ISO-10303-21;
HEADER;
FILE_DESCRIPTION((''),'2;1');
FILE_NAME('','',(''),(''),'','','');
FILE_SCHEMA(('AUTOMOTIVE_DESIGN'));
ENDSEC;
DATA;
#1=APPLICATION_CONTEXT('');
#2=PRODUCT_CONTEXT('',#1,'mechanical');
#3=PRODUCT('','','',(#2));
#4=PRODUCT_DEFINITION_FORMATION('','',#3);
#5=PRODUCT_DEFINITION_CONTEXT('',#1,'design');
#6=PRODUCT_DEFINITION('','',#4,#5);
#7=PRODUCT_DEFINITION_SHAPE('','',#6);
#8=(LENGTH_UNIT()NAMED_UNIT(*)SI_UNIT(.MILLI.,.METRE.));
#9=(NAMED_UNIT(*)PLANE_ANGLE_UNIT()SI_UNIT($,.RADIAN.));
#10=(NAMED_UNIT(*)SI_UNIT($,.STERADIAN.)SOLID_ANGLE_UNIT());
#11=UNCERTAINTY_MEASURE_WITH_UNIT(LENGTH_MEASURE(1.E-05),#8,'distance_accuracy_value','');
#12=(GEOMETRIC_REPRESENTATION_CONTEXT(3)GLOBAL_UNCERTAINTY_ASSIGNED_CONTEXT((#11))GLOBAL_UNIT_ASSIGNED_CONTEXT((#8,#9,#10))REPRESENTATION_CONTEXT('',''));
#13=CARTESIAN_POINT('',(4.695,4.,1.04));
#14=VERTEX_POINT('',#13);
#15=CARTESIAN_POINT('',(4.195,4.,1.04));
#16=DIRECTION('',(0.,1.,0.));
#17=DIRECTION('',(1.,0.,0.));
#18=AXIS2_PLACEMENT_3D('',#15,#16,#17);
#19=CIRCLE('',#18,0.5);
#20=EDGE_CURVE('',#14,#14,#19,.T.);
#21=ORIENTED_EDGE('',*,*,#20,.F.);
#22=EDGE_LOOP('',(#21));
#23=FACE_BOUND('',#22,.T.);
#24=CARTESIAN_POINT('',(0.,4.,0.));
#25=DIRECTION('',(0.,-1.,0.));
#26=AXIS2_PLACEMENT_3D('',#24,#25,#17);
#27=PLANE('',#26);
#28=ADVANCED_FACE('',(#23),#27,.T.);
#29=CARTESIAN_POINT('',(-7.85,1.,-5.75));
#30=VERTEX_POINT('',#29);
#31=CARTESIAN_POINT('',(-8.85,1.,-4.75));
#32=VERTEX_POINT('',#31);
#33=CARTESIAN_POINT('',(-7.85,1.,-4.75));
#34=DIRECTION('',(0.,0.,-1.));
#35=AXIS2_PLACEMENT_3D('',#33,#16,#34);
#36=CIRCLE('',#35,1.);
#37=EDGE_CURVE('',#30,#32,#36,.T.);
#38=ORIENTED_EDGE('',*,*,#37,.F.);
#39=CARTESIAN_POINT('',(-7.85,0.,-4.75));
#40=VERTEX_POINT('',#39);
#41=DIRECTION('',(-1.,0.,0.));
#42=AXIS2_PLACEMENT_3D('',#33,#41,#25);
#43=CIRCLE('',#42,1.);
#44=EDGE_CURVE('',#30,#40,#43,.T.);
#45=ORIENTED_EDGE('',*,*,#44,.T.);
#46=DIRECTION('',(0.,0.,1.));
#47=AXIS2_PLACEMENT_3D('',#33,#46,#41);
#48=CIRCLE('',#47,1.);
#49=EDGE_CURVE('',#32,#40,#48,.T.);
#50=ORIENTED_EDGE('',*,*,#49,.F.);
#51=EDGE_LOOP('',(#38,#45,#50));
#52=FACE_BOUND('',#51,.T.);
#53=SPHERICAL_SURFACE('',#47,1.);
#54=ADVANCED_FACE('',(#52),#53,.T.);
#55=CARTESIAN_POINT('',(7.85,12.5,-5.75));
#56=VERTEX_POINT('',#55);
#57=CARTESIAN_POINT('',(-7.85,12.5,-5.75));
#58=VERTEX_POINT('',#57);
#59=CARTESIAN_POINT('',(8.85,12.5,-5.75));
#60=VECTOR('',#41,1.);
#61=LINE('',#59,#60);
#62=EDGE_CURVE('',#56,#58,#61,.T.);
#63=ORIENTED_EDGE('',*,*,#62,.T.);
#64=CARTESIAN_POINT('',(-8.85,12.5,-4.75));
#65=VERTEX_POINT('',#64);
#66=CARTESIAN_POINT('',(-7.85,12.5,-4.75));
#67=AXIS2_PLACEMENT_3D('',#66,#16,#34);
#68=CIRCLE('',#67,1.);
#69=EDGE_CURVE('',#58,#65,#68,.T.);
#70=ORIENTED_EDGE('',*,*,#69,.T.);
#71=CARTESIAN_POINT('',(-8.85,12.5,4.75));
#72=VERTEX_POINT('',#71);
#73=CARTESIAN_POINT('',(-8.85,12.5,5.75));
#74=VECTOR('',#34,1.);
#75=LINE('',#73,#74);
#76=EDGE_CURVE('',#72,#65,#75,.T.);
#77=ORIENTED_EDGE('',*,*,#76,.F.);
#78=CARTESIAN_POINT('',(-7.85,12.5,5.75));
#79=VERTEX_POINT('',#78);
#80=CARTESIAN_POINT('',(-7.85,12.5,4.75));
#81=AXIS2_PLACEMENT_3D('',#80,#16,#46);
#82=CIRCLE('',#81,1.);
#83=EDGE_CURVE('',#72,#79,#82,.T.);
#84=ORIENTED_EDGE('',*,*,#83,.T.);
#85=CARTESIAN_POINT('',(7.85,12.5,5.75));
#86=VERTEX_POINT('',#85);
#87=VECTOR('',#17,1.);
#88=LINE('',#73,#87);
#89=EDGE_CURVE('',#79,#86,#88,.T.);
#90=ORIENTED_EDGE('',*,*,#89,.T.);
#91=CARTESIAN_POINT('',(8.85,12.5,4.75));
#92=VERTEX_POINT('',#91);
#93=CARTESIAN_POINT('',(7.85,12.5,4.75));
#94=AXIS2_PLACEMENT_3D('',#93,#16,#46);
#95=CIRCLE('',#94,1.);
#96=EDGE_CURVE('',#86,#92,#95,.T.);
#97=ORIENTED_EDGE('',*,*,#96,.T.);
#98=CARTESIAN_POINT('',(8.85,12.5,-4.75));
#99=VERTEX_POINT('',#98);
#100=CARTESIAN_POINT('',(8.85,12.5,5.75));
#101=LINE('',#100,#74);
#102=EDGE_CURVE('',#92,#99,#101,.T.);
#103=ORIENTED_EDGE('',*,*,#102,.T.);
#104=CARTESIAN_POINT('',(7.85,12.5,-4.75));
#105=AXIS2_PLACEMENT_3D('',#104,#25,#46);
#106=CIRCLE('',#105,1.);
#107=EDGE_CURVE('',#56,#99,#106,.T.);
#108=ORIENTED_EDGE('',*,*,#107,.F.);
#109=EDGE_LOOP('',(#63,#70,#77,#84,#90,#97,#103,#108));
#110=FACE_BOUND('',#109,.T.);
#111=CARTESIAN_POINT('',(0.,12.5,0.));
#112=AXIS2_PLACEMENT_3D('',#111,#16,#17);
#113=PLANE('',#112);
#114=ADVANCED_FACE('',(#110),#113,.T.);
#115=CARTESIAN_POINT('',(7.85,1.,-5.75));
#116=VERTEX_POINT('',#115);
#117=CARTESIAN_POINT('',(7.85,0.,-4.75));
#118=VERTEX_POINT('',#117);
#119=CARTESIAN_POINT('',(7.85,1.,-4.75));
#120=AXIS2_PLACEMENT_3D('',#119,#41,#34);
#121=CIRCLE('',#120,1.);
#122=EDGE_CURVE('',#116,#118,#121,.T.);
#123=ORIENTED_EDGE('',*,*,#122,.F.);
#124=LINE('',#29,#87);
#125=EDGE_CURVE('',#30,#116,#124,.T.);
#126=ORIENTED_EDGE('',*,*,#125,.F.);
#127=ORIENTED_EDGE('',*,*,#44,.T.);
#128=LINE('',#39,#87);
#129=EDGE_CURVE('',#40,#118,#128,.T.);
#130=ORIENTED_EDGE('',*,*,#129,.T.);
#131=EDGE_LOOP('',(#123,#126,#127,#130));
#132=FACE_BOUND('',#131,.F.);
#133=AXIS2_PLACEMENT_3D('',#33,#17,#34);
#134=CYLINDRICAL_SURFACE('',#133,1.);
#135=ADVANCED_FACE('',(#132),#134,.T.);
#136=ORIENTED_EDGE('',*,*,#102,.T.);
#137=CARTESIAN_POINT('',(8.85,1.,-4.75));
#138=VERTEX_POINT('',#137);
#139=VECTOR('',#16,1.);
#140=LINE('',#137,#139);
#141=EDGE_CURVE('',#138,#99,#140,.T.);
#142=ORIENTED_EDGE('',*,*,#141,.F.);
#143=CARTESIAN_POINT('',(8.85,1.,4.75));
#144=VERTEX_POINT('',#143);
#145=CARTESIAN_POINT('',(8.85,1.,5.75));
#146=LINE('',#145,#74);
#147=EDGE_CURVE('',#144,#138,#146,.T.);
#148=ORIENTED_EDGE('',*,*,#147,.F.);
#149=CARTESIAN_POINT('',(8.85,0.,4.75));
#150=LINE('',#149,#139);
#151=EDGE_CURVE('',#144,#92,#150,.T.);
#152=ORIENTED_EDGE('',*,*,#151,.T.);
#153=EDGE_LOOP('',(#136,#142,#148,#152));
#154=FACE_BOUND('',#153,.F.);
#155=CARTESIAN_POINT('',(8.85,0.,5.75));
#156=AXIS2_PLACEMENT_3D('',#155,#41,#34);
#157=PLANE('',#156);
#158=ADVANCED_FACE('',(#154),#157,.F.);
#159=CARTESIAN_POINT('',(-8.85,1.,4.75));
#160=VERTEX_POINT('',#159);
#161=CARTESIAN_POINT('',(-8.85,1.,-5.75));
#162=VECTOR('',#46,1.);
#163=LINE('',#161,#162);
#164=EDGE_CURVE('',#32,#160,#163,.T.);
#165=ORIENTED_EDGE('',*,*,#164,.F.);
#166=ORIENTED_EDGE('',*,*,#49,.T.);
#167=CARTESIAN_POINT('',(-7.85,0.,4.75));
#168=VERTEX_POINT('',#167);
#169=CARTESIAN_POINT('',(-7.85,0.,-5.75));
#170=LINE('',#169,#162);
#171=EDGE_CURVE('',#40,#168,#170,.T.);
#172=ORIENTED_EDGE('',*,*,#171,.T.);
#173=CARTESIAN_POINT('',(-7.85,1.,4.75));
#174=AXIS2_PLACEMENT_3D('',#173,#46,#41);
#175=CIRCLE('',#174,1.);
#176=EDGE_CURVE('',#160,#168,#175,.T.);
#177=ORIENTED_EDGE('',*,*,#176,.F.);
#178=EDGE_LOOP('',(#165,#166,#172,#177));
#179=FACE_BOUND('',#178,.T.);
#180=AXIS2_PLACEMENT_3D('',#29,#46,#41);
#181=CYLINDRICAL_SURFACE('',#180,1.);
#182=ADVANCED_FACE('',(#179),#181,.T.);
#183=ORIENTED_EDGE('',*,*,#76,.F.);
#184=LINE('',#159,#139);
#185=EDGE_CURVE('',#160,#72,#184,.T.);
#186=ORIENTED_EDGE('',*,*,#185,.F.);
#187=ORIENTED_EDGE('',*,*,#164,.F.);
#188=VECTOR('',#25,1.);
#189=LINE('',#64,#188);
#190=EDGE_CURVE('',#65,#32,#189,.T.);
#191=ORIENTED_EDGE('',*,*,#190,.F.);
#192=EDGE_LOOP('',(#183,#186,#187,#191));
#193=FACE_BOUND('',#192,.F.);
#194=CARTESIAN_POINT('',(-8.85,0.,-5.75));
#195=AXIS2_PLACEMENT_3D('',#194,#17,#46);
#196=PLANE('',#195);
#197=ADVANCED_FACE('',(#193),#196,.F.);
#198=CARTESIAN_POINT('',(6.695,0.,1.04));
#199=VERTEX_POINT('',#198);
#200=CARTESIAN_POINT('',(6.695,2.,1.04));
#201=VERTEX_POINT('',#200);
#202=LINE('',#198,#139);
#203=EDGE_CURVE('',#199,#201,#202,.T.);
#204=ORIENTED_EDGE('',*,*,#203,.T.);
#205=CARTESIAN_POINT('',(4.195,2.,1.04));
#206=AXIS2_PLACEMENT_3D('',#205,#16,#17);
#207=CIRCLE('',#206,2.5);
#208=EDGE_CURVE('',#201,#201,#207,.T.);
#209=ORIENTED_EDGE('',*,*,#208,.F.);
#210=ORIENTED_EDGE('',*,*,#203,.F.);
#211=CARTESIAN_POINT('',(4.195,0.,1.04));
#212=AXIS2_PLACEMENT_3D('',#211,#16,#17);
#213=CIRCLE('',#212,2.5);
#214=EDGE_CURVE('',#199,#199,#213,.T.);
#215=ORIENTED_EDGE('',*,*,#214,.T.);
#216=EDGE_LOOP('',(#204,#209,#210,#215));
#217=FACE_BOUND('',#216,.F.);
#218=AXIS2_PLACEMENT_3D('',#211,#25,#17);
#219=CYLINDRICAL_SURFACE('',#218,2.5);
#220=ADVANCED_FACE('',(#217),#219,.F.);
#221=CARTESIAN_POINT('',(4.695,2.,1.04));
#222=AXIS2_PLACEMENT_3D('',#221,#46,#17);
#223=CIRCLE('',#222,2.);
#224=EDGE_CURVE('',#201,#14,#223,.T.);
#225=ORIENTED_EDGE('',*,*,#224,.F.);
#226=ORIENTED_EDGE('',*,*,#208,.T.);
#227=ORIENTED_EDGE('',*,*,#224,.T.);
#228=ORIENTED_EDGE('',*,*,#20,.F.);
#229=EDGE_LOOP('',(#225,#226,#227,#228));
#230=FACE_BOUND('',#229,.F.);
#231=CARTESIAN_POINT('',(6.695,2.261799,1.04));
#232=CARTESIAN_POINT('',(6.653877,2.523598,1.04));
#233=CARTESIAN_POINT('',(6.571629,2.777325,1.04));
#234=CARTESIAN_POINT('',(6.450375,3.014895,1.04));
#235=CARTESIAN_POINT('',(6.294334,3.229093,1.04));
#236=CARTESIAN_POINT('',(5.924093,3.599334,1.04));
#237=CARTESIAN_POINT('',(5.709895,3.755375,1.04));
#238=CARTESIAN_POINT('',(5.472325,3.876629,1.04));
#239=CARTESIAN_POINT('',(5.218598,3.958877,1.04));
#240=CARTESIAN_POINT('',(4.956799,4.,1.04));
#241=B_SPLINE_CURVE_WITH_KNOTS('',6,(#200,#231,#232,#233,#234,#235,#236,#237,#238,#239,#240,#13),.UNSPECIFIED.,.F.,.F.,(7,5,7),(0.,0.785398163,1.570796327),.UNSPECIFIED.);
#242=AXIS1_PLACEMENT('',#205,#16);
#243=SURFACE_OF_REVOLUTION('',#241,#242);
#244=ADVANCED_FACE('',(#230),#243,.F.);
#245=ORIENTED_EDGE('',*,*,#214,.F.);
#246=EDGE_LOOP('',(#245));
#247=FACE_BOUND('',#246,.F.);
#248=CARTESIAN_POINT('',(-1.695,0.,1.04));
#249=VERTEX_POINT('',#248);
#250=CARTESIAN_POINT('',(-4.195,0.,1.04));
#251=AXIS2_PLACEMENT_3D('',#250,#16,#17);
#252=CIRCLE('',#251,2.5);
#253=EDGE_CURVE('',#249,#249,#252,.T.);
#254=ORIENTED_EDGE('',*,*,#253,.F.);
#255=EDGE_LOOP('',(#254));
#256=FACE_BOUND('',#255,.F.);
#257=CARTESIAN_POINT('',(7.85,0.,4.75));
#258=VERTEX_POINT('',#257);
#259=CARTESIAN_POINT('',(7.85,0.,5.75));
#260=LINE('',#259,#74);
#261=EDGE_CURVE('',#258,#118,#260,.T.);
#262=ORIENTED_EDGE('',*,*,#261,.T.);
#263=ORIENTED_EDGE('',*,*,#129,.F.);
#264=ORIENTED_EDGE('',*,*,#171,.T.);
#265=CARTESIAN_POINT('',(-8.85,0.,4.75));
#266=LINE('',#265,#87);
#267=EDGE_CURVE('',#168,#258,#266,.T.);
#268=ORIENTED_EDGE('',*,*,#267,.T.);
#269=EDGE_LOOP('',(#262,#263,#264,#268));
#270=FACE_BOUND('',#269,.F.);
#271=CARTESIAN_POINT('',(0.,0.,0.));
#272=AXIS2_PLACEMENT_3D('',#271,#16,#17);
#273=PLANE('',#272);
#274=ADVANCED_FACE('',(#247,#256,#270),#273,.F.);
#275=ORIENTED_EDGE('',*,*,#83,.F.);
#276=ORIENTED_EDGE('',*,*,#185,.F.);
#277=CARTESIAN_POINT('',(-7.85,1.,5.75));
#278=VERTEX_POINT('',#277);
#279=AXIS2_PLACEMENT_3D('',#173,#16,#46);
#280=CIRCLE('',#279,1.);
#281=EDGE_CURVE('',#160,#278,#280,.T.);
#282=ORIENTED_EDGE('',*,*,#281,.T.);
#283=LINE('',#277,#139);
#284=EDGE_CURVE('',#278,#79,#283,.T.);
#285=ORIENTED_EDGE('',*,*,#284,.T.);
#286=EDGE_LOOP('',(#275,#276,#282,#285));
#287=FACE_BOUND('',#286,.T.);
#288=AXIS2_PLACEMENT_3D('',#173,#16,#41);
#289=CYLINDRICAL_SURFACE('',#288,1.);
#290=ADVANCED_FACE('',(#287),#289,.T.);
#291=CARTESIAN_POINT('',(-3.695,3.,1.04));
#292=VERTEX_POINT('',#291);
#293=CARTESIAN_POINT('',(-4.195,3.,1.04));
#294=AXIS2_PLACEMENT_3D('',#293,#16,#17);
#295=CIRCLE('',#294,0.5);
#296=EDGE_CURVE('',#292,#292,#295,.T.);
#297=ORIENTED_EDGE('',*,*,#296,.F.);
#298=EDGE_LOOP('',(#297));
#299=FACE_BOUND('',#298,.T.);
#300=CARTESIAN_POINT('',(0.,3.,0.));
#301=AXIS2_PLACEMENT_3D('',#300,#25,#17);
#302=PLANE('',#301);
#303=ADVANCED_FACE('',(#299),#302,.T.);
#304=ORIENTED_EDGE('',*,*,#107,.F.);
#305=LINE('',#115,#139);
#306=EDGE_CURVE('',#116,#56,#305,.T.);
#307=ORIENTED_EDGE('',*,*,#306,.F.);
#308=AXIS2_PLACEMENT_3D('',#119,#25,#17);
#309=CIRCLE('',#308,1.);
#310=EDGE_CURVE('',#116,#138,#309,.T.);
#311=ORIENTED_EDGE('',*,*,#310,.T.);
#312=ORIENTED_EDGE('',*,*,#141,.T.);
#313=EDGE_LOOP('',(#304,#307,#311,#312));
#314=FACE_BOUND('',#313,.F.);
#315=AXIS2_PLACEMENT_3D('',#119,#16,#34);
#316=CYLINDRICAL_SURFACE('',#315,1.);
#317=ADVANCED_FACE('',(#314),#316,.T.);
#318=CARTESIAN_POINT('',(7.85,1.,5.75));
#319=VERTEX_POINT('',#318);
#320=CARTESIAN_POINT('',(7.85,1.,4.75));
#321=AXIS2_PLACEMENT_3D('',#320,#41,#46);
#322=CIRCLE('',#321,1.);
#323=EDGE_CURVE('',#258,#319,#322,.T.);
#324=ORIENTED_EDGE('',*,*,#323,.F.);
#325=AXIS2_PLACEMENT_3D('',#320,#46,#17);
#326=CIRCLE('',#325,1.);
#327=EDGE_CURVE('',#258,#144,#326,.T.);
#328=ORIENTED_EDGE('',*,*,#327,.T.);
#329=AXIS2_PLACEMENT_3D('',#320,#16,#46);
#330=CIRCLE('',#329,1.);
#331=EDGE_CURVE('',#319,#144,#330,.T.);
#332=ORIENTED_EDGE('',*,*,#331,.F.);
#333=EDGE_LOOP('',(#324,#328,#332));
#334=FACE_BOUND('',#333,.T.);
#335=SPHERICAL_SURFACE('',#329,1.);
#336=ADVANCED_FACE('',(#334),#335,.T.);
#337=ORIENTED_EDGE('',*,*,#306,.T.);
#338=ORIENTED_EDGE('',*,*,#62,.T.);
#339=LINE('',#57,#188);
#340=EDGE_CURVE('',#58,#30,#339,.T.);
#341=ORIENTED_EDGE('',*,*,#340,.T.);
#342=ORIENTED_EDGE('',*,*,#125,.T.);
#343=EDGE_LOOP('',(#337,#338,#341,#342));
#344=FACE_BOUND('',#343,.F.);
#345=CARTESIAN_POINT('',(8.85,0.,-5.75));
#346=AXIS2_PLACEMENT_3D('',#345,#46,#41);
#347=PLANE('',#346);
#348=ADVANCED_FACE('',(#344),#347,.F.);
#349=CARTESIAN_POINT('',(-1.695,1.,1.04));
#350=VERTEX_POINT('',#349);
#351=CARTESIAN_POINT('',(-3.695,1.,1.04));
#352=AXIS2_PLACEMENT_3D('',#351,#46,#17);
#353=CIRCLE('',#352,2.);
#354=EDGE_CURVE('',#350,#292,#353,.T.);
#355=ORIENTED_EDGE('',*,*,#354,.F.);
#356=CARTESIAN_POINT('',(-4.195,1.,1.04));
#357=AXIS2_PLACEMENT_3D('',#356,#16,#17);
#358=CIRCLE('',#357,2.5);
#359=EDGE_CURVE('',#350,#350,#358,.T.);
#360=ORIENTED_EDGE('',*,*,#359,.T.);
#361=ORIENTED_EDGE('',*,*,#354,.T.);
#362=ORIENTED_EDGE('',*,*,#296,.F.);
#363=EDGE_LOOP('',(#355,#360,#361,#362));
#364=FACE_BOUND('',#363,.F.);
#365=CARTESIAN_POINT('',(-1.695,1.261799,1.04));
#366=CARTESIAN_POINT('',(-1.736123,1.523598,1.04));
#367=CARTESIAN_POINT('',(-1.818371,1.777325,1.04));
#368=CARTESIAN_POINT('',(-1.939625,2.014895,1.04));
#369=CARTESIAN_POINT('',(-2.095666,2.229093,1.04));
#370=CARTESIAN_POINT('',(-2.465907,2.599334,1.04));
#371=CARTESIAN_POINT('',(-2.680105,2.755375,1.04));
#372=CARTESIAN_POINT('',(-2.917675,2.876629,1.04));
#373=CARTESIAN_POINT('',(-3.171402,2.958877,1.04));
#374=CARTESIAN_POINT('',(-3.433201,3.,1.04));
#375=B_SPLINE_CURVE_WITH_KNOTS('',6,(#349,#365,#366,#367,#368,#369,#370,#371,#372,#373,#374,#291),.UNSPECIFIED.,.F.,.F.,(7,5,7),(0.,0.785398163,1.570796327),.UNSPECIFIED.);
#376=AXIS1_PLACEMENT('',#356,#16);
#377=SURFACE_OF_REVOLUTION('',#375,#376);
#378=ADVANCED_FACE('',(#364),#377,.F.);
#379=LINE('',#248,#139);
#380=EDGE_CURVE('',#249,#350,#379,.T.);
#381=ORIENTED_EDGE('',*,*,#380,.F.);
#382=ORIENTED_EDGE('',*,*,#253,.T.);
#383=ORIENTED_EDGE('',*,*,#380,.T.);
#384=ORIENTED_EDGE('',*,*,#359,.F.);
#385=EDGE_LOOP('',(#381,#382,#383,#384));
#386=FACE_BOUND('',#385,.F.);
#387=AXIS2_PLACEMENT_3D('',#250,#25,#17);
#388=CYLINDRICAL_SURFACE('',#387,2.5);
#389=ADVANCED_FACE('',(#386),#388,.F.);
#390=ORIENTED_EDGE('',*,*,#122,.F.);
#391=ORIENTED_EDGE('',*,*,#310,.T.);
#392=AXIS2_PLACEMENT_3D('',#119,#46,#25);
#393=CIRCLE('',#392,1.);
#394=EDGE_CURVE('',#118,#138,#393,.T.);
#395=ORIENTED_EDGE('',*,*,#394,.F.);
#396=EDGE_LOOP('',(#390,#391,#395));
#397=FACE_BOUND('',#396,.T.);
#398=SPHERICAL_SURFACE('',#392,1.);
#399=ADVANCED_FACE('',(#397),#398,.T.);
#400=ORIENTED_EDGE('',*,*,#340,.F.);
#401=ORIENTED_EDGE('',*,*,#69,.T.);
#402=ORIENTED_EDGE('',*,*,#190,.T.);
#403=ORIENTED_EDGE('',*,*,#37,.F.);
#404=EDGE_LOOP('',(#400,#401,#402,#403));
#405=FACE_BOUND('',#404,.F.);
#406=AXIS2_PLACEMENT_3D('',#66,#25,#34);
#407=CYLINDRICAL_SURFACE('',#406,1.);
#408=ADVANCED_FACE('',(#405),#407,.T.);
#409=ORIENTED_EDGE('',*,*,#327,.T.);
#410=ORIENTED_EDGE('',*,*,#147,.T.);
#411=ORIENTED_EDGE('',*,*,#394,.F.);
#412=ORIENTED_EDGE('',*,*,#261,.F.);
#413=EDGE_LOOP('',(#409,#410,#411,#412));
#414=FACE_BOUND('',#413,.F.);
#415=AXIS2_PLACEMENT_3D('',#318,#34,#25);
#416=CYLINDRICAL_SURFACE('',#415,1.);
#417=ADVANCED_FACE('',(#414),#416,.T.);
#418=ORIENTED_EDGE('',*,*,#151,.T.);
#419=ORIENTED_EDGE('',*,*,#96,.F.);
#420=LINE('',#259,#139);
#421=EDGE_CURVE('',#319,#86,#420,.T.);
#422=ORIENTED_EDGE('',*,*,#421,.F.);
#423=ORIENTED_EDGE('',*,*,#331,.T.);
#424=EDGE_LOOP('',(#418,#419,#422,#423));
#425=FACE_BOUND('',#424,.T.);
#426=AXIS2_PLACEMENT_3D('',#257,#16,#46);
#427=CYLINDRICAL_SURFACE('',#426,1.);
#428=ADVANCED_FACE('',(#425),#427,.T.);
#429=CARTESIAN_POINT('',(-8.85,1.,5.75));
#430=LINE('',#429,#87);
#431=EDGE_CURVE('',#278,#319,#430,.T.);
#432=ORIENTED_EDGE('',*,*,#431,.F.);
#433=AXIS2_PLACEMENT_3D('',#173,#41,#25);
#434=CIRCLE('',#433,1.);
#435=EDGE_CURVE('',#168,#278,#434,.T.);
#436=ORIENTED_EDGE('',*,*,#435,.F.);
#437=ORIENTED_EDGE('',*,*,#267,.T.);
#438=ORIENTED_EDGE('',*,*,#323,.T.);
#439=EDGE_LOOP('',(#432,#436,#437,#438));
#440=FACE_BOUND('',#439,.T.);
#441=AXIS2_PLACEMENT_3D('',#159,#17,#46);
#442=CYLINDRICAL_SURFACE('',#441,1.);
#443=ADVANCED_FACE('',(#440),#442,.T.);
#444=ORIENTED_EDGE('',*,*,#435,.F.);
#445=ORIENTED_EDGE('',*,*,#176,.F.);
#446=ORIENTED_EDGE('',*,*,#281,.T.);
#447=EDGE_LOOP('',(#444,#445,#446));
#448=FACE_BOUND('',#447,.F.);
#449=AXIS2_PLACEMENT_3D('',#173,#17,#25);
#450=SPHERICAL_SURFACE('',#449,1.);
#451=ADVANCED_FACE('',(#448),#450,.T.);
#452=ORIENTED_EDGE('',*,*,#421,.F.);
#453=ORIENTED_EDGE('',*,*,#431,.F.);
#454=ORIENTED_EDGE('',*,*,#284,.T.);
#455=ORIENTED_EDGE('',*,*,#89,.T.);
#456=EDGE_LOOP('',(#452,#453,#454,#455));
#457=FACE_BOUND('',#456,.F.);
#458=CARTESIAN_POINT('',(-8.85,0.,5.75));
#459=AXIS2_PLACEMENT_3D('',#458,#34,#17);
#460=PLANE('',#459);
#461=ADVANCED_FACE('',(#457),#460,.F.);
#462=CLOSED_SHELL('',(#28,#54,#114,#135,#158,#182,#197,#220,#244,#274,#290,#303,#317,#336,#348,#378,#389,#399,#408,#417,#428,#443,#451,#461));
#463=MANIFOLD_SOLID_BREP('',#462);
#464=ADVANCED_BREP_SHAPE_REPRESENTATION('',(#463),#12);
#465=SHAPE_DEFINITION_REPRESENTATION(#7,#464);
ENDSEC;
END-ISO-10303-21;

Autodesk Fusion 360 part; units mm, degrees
sketch "Boceto1" plane through (0, 0, 0) normal (0, 1, 0) x (1, 0, 0)
  line L0 (-8.85, 0) -> (-8.85, -5.75)
  line L1 (-8.85, -5.75) -> (8.85, -5.75)
  line L2 (8.85, -5.75) -> (8.85, 5.75)
  line L3 (8.85, 5.75) -> (-8.85, 5.75)
  line L4 (-8.85, 5.75) -> (-8.85, 0)
  dimension "d1" = 8.85
  dimension "d2" = 5.75
  dimension "d3" = 17.7
  dimension "d4" = 11.5
  dimension "d5" = 17.7
extrude "Extruir1" add sketch "Boceto1" along normal blind 12.5
sketch "Boceto2" plane through (0, 0, 0) normal (0, -1, 0) x (1, 0, 0)
  line L0 (-8.85, 5.75) -> (-8.85, -5.75)
  line L1 (-8.85, -5.75) -> (8.85, -5.75)
  line L2 (8.85, -5.75) -> (8.85, 5.75)
  line L3 (8.85, 5.75) -> (-8.85, 5.75)
  line L4 (8.85, -5.75) -> (4.195, -5.75)
  line L5 (4.195, -5.75) -> (-4.195, -5.75)
  line L6 (4.195, -5.75) -> (4.195, 1.04)
  line L7 (-4.195, -5.75) -> (-4.195, 1.04)
  circle A0 centre (4.195, 1.04) radius 2.5
  circle A1 centre (-4.195, 1.04) radius 2.5
  dimension "d8" = 4.655
  dimension "d9" = 8.39
  dimension "d10" = 6.79
  dimension "d11" = 6.79
  dimension "d12" = 5
  dimension "d13" = 5
extrude "Extruir2" cut sketch "Boceto2" against normal blind 7 contours A0
extrude "Extruir3" cut sketch "Boceto2" against normal blind 7 contours A1
fillet "Empalme1" radius 1 3 edges at (8.85, 6.25, 5.75) (0, 0, 5.75) (8.85, 0, 0)
fillet "Empalme2" radius 1 3 edges at (-8.85, 0, -0.5) (-8.85, 0.2929, 5.4571) (-8.85, 6.75, 5.75)
fillet "Empalme3" radius 1 5 edges at (8.85, 6.75, -5.75) (8.5571, 0.2929, -5.75) (0, 0, -5.75) (-8.5571, 0.2929, -5.75) (-8.85, 6.75, -5.75)
extrude "Extruir4" add 1 faces at (4.9913, 7, -0.2658) along direction (0, -1, 0) blind 3
extrude "Extruir5" add 1 faces at (-4.4262, 7, 0.3911) along direction (0, -1, 0) blind 4
fillet "Empalme4" radius 2 1 faces at (4.9913, 4, -0.2658)
fillet "Empalme5" radius 2 1 faces at (-4.4262, 3, 0.3911)
